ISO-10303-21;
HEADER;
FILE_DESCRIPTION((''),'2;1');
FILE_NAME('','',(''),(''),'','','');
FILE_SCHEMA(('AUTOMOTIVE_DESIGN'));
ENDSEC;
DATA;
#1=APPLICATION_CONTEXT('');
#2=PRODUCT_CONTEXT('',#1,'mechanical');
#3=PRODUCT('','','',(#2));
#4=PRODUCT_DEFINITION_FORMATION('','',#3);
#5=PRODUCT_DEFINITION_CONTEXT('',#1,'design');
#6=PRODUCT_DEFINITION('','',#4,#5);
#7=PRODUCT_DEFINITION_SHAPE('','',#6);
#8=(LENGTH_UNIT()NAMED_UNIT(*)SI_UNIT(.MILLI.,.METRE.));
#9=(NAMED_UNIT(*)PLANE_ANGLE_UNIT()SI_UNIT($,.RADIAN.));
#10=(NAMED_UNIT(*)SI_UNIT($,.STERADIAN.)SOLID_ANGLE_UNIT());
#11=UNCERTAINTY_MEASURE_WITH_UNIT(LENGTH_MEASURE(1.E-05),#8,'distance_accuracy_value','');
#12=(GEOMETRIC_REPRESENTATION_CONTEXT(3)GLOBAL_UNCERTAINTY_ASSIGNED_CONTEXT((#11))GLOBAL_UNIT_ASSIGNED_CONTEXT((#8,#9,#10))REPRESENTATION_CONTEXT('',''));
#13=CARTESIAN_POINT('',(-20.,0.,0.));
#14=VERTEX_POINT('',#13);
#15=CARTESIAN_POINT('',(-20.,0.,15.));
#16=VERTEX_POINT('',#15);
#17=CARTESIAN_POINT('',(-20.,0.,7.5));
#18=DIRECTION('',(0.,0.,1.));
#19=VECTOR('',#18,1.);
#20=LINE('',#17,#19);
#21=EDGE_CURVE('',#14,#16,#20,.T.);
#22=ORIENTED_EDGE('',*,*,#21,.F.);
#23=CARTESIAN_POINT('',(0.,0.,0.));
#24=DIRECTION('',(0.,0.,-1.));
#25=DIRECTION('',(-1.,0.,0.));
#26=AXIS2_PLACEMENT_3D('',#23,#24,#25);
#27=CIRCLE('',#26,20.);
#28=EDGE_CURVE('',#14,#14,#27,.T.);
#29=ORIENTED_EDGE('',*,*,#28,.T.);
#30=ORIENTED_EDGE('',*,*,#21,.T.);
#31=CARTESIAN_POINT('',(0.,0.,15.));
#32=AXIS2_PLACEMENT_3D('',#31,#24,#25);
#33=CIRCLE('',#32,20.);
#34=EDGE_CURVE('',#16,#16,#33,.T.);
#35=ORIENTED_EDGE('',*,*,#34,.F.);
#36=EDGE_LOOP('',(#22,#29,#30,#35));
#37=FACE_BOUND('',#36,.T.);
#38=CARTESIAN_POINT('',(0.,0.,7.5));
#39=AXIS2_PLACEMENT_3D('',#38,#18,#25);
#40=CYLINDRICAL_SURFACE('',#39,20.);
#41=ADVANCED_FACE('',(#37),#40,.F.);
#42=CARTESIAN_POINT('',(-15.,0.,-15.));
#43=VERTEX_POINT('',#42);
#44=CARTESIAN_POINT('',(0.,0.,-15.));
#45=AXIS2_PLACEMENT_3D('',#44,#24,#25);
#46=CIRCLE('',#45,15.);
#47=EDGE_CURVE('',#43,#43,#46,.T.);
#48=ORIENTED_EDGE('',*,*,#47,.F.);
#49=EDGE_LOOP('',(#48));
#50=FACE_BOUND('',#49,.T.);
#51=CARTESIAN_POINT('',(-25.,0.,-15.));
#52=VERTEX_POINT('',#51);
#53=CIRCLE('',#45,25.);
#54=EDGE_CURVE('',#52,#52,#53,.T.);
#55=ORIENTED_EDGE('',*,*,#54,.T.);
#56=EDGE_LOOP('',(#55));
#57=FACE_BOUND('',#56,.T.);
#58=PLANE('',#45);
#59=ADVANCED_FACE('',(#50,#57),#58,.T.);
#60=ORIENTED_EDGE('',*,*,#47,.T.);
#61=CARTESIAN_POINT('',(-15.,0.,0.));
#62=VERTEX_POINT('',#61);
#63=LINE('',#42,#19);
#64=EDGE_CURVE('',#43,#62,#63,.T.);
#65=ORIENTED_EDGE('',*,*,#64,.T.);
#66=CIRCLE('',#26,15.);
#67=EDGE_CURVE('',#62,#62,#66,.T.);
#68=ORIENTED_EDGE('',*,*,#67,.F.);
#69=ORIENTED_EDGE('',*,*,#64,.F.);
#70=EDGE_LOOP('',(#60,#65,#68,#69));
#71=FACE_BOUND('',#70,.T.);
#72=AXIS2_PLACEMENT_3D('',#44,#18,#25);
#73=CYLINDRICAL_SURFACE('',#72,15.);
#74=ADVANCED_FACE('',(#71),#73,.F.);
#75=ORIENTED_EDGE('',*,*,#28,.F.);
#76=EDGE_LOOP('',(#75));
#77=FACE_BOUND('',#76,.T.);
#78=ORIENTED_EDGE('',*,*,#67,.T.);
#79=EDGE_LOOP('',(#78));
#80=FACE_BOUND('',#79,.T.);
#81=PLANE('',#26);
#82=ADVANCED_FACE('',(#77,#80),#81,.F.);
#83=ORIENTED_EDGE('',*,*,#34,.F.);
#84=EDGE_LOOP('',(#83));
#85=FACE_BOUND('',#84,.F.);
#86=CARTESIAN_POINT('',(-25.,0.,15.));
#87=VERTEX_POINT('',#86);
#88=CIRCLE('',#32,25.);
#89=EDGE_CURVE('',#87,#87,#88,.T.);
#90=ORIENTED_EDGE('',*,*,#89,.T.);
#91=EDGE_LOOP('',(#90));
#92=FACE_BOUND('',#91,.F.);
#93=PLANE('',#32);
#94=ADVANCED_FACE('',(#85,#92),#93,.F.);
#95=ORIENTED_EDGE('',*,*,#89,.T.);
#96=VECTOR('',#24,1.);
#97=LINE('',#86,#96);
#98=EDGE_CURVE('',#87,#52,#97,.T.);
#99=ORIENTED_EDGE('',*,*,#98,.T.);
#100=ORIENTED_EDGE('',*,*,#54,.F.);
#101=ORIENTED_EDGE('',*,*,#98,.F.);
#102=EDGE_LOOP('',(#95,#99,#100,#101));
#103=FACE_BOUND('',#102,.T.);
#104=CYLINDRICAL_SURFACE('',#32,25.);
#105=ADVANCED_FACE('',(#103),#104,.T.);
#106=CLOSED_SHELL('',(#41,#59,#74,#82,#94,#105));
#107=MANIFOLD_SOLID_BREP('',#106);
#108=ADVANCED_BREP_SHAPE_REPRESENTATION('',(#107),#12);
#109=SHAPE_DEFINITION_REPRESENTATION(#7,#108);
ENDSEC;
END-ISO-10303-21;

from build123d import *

# Parameters (mm, degrees)
F0_W = 5
F0_H = 15


with BuildPart() as f1:
    # F0 (on Front) → F1 (revolve)
    with BuildSketch(Plane.XZ):
        Polygon((-25, -15), (-15, -15), (-15, 0), (-20, 0), (-25, 0), align=None)
        with Locations((-22.5, 7.5)):
            Rectangle(F0_W, F0_H)
    revolve(axis=Axis((0, 0, -4.356846), (0, 0, -1)))


solid = f1.part
